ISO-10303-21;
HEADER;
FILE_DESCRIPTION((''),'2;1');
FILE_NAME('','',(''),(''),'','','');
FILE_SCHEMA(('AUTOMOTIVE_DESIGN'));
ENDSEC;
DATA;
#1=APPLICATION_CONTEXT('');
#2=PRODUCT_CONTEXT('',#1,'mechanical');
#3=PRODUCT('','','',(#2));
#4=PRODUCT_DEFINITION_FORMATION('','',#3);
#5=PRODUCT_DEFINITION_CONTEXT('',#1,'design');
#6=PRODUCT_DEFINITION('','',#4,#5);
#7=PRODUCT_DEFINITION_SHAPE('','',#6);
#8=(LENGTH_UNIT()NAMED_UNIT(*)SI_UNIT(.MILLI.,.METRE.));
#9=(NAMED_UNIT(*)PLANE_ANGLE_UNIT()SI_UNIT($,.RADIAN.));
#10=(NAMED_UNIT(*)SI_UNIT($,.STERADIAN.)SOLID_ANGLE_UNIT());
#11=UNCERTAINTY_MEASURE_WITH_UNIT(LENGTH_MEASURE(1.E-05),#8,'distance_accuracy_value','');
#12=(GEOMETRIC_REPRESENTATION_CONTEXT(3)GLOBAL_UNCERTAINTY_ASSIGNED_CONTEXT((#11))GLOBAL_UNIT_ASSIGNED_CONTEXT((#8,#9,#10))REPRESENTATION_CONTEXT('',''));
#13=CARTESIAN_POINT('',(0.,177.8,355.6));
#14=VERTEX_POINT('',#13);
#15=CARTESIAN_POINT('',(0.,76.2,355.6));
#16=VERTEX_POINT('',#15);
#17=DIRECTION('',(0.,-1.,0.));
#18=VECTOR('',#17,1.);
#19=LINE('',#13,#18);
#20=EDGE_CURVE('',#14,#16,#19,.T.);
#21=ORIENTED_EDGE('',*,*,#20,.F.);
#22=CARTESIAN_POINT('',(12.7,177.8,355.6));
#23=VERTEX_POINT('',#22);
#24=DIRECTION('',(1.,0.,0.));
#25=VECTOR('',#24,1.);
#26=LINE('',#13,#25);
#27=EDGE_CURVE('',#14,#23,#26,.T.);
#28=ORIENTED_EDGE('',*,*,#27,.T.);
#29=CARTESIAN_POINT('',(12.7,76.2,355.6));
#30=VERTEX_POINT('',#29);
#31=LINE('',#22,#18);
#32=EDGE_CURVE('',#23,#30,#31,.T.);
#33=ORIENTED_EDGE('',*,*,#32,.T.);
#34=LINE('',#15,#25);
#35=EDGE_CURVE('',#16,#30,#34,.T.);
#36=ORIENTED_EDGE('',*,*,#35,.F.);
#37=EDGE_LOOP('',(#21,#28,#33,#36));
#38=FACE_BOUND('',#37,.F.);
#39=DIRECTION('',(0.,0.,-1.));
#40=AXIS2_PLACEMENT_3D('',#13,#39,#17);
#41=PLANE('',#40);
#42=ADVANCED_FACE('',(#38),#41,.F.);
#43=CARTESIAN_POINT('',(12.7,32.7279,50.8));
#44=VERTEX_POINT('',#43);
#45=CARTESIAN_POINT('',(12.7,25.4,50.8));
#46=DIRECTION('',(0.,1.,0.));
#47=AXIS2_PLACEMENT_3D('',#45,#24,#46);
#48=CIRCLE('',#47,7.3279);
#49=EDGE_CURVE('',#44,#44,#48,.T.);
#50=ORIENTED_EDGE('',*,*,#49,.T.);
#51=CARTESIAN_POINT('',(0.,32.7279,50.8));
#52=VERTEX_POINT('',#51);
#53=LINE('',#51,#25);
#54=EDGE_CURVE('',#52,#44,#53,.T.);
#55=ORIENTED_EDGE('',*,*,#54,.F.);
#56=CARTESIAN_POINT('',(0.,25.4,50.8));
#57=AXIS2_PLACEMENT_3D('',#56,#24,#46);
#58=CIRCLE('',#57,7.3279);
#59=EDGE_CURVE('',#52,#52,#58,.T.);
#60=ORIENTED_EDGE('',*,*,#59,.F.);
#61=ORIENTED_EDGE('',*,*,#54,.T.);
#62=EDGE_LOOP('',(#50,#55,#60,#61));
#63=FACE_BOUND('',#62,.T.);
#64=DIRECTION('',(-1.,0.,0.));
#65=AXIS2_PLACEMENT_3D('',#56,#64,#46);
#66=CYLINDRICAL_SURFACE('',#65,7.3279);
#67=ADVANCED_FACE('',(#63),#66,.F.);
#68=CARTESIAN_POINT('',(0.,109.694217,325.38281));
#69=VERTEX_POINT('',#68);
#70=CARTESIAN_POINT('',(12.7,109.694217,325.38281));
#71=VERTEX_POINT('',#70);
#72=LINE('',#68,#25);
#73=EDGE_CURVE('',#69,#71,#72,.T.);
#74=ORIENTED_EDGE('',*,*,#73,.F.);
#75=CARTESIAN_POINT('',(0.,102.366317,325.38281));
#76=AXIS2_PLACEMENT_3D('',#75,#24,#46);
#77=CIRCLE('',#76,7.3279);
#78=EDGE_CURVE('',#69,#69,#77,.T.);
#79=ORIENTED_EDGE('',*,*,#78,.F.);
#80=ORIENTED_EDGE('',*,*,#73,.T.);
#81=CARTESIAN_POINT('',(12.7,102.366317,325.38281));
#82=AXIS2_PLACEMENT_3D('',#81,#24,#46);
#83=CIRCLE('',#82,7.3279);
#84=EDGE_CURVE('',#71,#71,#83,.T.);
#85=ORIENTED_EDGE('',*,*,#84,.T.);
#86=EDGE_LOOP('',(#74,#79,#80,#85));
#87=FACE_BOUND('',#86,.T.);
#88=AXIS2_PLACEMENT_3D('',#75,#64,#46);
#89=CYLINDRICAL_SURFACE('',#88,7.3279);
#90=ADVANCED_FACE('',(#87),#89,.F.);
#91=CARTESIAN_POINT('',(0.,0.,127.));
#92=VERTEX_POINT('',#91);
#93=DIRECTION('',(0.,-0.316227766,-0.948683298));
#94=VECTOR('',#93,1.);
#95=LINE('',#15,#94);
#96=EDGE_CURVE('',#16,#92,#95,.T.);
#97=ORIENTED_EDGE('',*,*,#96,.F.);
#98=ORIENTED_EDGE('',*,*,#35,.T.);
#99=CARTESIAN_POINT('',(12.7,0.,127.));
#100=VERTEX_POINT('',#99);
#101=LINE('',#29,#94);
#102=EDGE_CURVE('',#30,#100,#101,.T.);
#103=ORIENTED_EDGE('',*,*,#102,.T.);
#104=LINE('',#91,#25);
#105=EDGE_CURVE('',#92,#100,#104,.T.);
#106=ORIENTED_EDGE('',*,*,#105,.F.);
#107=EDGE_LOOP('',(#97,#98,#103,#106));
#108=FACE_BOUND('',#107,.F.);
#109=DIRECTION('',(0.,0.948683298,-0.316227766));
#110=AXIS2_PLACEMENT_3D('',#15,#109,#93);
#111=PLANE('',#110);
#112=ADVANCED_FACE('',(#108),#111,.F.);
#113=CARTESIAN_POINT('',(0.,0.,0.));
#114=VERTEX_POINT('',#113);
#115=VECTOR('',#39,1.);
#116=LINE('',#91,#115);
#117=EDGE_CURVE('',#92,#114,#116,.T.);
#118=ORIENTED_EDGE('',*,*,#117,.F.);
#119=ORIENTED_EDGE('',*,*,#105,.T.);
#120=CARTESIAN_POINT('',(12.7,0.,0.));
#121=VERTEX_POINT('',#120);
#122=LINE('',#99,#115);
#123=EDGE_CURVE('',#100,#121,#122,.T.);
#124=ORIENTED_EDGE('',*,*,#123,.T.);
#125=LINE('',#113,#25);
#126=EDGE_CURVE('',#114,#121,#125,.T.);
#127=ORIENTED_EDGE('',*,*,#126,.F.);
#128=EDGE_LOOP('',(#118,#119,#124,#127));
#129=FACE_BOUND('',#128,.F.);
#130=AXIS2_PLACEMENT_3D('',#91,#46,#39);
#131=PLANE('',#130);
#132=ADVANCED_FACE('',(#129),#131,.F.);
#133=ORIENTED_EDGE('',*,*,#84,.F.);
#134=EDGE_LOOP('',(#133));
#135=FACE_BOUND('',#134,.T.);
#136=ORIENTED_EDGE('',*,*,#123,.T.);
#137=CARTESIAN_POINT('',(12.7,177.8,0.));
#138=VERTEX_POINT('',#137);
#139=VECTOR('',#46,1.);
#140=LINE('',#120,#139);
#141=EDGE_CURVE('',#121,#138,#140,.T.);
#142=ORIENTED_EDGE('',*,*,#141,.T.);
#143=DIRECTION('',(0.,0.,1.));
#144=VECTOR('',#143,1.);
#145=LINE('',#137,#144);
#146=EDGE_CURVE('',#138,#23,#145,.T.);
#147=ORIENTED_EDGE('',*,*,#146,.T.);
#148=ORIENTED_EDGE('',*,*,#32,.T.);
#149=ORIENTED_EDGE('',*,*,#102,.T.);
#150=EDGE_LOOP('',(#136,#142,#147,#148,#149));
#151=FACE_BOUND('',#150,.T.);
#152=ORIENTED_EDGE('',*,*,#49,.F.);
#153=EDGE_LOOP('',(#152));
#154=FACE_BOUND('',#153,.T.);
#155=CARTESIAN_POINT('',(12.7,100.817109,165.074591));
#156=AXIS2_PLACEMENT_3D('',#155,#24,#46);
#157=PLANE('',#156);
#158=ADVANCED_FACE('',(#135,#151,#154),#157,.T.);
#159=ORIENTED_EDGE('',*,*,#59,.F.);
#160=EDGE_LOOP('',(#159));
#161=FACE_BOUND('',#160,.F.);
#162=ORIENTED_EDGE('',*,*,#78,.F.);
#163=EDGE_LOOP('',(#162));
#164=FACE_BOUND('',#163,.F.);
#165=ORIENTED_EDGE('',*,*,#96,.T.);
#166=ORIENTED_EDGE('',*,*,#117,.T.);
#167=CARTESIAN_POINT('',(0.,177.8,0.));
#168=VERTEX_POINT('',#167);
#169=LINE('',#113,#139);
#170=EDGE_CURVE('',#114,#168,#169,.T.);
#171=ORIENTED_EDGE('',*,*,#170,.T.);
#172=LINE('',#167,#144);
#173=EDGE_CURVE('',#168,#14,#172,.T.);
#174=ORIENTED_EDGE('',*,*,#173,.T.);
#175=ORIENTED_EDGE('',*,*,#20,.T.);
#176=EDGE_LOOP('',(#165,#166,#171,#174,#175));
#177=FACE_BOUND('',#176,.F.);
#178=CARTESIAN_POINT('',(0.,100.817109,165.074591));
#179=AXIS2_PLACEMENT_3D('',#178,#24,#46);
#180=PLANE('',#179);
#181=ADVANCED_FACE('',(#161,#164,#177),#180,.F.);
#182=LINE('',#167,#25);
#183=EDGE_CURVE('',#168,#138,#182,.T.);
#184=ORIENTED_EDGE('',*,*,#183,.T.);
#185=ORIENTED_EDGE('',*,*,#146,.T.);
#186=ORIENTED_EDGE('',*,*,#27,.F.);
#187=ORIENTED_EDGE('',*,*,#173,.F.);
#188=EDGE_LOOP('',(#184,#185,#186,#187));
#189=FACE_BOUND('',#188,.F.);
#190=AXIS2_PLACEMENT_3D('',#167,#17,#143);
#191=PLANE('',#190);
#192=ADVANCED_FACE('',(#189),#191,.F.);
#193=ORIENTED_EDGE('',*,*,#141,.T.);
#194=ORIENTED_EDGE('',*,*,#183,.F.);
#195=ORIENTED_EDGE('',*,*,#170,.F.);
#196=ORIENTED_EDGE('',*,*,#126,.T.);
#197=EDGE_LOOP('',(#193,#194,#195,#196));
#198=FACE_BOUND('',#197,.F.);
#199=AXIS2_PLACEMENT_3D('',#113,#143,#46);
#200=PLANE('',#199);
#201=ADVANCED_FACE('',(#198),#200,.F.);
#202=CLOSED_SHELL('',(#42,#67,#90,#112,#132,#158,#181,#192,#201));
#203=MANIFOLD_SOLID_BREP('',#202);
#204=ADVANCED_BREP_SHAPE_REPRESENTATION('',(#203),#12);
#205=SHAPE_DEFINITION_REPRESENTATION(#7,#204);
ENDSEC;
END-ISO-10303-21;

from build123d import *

# Parameters (mm, degrees)
F0_R     = 7.3279
F1_DEPTH = 12.7


with BuildPart() as f1:
    # F0 (on Right) → F1 (new body)
    with BuildSketch(Plane.YZ):
        Polygon((0, 127), (0, 0), (177.8, 0), (177.8, 355.6), (76.2, 355.6), align=None)
        with Locations((25.4, 50.8)):
            Circle(F0_R, mode=Mode.SUBTRACT)
        with Locations((102.366317, 325.38281)):
            Circle(F0_R, mode=Mode.SUBTRACT)
    extrude(amount=F1_DEPTH)


solid = f1.part
